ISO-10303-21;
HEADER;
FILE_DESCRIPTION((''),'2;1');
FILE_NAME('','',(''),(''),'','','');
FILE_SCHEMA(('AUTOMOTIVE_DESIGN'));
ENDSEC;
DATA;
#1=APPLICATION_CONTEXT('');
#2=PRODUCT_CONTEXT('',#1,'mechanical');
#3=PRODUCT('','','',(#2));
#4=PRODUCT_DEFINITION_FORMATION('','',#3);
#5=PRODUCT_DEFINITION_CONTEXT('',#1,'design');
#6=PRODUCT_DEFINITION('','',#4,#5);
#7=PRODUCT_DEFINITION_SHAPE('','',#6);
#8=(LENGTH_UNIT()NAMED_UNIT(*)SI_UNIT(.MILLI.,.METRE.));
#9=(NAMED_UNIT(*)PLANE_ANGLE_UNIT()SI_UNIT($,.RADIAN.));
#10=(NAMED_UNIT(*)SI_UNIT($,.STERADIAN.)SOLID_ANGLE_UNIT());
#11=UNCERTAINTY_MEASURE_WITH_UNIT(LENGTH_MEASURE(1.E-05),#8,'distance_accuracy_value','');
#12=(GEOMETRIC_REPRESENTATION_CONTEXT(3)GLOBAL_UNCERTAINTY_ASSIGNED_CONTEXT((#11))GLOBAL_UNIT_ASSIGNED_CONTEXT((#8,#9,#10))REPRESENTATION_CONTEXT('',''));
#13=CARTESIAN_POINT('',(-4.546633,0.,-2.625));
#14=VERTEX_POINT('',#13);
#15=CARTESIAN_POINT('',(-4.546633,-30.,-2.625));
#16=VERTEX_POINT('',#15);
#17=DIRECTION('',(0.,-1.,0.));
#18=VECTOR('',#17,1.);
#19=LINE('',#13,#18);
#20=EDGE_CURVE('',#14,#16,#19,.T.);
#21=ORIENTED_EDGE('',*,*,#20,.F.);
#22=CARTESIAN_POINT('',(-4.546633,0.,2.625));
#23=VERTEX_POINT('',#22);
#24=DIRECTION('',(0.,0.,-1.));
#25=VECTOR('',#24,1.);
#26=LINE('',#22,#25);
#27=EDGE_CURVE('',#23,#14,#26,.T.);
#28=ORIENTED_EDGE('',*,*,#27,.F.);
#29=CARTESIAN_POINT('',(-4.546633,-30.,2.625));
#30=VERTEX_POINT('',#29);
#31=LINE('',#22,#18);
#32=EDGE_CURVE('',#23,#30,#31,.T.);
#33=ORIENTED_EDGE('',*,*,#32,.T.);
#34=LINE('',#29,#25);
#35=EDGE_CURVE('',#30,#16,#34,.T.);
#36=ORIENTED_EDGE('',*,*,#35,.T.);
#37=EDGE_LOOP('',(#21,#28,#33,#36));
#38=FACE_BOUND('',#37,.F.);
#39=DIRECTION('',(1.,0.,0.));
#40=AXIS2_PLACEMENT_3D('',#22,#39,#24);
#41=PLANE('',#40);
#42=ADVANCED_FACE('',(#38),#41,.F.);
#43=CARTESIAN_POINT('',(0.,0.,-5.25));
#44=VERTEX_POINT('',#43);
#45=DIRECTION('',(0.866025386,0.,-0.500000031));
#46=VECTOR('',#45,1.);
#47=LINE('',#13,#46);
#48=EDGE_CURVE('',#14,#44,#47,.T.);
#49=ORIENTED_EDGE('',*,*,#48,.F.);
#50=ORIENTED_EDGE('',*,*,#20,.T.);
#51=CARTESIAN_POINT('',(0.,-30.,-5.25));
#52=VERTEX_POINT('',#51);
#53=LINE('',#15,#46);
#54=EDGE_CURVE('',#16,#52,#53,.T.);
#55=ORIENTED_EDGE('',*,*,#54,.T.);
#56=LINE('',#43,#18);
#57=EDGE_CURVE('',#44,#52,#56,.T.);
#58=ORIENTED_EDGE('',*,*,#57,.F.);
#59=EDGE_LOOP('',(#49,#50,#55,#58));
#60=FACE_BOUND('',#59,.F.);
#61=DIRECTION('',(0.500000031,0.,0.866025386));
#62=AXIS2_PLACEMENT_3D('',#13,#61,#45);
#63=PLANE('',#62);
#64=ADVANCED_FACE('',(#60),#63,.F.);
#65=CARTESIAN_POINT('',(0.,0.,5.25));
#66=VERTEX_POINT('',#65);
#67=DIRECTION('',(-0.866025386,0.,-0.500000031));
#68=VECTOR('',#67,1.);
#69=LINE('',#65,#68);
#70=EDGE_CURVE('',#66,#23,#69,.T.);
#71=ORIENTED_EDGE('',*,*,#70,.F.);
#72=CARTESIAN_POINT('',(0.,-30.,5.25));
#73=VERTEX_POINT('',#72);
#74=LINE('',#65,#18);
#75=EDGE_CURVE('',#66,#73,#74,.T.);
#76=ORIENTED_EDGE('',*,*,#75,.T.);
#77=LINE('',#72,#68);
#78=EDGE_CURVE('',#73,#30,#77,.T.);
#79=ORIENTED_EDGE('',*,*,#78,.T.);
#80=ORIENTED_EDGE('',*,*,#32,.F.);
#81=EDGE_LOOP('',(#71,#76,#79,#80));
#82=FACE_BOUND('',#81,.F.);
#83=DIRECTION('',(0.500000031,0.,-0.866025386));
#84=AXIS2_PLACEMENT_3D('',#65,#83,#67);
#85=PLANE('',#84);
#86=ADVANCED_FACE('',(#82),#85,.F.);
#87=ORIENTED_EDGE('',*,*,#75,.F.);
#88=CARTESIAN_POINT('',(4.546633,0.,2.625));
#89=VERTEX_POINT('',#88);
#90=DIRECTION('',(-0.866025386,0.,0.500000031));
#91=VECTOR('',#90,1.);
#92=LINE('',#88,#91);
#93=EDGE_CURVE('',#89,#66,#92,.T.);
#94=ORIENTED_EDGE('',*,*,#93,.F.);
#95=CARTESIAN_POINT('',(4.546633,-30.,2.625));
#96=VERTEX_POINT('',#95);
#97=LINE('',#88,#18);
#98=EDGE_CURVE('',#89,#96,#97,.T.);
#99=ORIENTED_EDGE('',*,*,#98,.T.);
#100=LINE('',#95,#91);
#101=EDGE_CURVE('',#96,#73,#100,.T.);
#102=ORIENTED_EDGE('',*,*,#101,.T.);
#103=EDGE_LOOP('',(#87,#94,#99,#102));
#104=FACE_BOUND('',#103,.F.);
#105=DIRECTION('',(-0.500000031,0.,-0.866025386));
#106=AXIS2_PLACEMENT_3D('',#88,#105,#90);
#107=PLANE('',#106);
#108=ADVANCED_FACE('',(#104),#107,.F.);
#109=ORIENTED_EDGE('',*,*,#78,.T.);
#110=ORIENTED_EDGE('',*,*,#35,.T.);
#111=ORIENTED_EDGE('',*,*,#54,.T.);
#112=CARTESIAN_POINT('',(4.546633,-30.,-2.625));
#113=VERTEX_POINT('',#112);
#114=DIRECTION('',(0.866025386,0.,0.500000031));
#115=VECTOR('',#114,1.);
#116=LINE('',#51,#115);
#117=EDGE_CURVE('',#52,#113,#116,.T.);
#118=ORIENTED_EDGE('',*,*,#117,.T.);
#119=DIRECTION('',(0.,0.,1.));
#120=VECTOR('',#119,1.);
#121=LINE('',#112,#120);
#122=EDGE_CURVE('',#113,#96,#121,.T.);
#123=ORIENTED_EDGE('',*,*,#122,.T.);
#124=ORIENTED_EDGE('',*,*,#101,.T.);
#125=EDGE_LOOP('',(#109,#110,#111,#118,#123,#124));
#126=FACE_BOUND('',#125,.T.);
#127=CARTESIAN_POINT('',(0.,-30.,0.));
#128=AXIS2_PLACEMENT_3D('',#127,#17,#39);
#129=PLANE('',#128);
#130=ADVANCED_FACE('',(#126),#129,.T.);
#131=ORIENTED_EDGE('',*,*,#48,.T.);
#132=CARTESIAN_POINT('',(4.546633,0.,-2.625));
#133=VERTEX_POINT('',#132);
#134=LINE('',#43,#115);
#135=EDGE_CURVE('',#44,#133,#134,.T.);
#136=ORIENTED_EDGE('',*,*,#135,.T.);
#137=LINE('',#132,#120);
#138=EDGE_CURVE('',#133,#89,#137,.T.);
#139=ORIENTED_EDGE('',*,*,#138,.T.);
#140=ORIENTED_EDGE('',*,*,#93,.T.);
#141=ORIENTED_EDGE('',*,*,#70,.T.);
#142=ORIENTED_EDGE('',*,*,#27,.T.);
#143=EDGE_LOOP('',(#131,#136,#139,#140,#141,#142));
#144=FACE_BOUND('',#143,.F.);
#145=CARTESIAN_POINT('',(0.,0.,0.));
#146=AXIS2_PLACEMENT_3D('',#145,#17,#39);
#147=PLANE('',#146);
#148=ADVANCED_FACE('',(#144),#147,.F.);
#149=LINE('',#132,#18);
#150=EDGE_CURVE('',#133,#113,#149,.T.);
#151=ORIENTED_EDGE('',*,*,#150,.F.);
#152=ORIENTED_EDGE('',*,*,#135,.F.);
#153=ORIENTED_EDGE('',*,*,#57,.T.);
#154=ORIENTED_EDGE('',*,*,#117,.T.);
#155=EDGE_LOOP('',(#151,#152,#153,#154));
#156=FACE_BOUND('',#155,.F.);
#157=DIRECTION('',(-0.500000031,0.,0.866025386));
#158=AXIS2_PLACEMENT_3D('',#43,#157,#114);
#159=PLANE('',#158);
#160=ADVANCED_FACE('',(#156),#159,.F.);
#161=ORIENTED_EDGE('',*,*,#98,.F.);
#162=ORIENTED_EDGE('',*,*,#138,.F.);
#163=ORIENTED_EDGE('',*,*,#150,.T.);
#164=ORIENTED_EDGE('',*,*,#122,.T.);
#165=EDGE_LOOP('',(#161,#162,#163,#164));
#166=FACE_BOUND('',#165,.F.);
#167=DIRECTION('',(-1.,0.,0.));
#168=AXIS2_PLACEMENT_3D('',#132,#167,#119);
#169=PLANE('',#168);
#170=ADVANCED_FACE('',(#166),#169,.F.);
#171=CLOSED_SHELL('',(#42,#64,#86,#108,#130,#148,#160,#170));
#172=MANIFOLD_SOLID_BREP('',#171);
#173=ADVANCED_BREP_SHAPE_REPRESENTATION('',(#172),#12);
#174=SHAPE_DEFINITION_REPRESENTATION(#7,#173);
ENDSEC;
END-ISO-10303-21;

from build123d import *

# Parameters (mm, degrees)
PAD_DEPTH = 30


with BuildPart() as part:
    # Sketch (on XZ_Plane of Origin) → Pad (new body)
    with BuildSketch(Plane.XZ):
        Polygon((4.546633, -2.625), (4.546633, 2.625), (0, 5.25), (-4.546633, 2.625), (-4.546633, -2.625), (0, -5.25), align=None)
    extrude(amount=PAD_DEPTH)


solid = part.part
